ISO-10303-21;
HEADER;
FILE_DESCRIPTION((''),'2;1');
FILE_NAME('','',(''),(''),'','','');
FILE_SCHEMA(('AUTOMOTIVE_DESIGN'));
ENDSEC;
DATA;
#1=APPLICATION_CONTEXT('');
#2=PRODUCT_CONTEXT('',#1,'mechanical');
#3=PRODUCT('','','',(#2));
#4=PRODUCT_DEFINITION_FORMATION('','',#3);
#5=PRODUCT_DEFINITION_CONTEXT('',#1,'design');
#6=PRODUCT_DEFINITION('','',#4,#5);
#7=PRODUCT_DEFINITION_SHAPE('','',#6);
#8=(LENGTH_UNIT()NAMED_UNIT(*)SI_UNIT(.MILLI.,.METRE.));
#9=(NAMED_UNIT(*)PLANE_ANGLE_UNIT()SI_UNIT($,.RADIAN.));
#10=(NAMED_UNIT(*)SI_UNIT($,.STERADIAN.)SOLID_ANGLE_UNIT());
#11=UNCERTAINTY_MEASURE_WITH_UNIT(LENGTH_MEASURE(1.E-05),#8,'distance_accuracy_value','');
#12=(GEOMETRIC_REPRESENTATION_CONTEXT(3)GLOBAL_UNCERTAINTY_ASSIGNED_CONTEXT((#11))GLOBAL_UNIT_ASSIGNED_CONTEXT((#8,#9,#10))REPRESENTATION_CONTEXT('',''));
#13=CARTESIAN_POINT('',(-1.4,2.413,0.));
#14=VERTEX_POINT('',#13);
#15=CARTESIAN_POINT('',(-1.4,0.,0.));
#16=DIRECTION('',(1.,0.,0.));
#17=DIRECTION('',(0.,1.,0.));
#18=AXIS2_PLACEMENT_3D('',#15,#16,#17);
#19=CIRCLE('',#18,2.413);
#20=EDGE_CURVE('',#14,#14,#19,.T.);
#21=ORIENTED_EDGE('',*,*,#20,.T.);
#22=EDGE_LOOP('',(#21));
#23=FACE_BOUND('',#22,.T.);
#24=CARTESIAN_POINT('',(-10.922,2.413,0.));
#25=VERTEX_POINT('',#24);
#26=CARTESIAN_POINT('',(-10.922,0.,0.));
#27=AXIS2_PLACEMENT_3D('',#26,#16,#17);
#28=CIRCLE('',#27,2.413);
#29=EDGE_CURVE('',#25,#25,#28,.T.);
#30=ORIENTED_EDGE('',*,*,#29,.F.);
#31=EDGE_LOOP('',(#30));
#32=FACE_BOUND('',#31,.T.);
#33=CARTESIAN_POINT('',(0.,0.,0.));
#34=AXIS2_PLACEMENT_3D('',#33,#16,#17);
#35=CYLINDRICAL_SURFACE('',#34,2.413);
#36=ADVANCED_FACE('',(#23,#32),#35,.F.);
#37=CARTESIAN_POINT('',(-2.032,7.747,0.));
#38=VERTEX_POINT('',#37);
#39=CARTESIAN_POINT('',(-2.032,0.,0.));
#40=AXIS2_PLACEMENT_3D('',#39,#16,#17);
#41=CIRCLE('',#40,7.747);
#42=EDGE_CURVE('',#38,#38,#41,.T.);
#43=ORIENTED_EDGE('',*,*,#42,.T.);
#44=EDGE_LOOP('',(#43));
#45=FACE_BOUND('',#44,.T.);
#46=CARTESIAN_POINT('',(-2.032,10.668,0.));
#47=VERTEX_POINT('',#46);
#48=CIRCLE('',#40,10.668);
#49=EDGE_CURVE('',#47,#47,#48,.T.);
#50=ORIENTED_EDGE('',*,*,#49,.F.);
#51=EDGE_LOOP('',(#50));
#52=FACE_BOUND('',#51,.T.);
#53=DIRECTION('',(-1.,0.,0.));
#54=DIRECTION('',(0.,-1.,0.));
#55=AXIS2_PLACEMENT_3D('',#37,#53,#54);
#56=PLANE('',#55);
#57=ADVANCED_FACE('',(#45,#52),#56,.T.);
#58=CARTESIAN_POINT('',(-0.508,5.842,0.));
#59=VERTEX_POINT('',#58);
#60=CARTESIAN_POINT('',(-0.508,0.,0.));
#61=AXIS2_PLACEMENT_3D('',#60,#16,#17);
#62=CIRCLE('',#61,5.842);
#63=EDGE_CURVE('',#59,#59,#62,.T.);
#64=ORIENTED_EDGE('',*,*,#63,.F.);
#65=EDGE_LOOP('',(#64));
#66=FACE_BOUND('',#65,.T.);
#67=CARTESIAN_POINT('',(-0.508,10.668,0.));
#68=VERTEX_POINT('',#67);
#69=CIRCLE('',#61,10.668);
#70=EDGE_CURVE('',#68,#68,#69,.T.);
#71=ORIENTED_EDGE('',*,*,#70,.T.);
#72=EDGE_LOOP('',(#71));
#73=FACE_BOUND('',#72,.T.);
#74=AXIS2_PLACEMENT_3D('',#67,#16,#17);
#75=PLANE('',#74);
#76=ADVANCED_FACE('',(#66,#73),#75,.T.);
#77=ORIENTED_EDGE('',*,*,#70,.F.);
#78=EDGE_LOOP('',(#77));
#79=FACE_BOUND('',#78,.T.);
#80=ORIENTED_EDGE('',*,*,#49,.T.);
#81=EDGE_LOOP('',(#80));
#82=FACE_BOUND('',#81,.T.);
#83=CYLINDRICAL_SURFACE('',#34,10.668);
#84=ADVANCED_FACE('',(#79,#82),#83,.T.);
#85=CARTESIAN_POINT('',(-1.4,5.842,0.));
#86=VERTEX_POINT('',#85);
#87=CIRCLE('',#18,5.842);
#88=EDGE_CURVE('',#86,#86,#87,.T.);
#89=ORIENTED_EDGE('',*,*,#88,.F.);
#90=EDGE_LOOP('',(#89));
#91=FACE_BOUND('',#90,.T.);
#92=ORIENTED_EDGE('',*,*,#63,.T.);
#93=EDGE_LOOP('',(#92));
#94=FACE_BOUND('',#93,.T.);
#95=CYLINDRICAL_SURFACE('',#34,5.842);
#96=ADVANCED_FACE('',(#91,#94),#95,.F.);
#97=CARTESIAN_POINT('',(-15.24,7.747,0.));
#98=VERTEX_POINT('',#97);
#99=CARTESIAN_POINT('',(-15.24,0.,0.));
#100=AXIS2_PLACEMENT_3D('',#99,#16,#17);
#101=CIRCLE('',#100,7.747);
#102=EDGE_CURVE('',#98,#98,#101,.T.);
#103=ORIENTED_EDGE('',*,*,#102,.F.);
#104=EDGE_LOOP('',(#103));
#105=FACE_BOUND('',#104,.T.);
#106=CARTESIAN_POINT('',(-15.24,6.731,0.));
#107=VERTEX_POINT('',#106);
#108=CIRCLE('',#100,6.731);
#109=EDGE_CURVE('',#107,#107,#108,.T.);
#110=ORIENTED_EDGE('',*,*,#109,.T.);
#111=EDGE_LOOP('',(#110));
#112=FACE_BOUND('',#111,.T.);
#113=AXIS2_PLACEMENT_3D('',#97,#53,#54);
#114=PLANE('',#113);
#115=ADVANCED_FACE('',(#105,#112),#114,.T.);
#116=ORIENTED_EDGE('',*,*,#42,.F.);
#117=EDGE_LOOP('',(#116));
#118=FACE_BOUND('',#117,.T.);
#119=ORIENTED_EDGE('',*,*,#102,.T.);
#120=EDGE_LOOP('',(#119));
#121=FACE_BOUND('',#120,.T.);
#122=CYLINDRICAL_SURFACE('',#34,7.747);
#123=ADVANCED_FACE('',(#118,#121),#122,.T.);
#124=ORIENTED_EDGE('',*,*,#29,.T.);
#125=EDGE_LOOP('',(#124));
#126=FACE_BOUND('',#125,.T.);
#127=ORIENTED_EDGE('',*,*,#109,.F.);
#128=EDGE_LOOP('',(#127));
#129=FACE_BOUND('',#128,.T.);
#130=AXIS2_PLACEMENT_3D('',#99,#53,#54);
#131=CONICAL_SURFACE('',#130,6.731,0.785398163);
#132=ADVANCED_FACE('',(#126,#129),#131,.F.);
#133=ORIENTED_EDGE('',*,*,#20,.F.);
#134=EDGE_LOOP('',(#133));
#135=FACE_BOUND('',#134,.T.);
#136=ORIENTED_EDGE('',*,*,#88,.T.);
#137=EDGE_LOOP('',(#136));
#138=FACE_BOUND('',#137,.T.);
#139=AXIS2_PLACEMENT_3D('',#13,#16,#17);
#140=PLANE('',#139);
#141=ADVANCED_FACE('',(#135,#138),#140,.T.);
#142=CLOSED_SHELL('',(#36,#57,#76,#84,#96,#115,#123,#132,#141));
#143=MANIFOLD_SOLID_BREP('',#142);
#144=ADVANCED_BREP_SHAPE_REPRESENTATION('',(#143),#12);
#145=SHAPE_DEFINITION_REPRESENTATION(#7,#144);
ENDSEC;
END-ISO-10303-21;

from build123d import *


with BuildPart() as part:
    # Sketch1 → Revolve1 (revolve)
    with BuildSketch(Plane.XY):
        Polygon((-15.24, 6.731), (-10.922, 2.413), (-1.4, 2.413), (-1.4, 5.842), (-0.508, 5.842), (-0.508, 10.668), (-2.032, 10.668), (-2.032, 7.747), (-15.24, 7.747), align=None)
    revolve(axis=Axis((0, 0, 0), (-1, 0, 0)))


solid = part.part
